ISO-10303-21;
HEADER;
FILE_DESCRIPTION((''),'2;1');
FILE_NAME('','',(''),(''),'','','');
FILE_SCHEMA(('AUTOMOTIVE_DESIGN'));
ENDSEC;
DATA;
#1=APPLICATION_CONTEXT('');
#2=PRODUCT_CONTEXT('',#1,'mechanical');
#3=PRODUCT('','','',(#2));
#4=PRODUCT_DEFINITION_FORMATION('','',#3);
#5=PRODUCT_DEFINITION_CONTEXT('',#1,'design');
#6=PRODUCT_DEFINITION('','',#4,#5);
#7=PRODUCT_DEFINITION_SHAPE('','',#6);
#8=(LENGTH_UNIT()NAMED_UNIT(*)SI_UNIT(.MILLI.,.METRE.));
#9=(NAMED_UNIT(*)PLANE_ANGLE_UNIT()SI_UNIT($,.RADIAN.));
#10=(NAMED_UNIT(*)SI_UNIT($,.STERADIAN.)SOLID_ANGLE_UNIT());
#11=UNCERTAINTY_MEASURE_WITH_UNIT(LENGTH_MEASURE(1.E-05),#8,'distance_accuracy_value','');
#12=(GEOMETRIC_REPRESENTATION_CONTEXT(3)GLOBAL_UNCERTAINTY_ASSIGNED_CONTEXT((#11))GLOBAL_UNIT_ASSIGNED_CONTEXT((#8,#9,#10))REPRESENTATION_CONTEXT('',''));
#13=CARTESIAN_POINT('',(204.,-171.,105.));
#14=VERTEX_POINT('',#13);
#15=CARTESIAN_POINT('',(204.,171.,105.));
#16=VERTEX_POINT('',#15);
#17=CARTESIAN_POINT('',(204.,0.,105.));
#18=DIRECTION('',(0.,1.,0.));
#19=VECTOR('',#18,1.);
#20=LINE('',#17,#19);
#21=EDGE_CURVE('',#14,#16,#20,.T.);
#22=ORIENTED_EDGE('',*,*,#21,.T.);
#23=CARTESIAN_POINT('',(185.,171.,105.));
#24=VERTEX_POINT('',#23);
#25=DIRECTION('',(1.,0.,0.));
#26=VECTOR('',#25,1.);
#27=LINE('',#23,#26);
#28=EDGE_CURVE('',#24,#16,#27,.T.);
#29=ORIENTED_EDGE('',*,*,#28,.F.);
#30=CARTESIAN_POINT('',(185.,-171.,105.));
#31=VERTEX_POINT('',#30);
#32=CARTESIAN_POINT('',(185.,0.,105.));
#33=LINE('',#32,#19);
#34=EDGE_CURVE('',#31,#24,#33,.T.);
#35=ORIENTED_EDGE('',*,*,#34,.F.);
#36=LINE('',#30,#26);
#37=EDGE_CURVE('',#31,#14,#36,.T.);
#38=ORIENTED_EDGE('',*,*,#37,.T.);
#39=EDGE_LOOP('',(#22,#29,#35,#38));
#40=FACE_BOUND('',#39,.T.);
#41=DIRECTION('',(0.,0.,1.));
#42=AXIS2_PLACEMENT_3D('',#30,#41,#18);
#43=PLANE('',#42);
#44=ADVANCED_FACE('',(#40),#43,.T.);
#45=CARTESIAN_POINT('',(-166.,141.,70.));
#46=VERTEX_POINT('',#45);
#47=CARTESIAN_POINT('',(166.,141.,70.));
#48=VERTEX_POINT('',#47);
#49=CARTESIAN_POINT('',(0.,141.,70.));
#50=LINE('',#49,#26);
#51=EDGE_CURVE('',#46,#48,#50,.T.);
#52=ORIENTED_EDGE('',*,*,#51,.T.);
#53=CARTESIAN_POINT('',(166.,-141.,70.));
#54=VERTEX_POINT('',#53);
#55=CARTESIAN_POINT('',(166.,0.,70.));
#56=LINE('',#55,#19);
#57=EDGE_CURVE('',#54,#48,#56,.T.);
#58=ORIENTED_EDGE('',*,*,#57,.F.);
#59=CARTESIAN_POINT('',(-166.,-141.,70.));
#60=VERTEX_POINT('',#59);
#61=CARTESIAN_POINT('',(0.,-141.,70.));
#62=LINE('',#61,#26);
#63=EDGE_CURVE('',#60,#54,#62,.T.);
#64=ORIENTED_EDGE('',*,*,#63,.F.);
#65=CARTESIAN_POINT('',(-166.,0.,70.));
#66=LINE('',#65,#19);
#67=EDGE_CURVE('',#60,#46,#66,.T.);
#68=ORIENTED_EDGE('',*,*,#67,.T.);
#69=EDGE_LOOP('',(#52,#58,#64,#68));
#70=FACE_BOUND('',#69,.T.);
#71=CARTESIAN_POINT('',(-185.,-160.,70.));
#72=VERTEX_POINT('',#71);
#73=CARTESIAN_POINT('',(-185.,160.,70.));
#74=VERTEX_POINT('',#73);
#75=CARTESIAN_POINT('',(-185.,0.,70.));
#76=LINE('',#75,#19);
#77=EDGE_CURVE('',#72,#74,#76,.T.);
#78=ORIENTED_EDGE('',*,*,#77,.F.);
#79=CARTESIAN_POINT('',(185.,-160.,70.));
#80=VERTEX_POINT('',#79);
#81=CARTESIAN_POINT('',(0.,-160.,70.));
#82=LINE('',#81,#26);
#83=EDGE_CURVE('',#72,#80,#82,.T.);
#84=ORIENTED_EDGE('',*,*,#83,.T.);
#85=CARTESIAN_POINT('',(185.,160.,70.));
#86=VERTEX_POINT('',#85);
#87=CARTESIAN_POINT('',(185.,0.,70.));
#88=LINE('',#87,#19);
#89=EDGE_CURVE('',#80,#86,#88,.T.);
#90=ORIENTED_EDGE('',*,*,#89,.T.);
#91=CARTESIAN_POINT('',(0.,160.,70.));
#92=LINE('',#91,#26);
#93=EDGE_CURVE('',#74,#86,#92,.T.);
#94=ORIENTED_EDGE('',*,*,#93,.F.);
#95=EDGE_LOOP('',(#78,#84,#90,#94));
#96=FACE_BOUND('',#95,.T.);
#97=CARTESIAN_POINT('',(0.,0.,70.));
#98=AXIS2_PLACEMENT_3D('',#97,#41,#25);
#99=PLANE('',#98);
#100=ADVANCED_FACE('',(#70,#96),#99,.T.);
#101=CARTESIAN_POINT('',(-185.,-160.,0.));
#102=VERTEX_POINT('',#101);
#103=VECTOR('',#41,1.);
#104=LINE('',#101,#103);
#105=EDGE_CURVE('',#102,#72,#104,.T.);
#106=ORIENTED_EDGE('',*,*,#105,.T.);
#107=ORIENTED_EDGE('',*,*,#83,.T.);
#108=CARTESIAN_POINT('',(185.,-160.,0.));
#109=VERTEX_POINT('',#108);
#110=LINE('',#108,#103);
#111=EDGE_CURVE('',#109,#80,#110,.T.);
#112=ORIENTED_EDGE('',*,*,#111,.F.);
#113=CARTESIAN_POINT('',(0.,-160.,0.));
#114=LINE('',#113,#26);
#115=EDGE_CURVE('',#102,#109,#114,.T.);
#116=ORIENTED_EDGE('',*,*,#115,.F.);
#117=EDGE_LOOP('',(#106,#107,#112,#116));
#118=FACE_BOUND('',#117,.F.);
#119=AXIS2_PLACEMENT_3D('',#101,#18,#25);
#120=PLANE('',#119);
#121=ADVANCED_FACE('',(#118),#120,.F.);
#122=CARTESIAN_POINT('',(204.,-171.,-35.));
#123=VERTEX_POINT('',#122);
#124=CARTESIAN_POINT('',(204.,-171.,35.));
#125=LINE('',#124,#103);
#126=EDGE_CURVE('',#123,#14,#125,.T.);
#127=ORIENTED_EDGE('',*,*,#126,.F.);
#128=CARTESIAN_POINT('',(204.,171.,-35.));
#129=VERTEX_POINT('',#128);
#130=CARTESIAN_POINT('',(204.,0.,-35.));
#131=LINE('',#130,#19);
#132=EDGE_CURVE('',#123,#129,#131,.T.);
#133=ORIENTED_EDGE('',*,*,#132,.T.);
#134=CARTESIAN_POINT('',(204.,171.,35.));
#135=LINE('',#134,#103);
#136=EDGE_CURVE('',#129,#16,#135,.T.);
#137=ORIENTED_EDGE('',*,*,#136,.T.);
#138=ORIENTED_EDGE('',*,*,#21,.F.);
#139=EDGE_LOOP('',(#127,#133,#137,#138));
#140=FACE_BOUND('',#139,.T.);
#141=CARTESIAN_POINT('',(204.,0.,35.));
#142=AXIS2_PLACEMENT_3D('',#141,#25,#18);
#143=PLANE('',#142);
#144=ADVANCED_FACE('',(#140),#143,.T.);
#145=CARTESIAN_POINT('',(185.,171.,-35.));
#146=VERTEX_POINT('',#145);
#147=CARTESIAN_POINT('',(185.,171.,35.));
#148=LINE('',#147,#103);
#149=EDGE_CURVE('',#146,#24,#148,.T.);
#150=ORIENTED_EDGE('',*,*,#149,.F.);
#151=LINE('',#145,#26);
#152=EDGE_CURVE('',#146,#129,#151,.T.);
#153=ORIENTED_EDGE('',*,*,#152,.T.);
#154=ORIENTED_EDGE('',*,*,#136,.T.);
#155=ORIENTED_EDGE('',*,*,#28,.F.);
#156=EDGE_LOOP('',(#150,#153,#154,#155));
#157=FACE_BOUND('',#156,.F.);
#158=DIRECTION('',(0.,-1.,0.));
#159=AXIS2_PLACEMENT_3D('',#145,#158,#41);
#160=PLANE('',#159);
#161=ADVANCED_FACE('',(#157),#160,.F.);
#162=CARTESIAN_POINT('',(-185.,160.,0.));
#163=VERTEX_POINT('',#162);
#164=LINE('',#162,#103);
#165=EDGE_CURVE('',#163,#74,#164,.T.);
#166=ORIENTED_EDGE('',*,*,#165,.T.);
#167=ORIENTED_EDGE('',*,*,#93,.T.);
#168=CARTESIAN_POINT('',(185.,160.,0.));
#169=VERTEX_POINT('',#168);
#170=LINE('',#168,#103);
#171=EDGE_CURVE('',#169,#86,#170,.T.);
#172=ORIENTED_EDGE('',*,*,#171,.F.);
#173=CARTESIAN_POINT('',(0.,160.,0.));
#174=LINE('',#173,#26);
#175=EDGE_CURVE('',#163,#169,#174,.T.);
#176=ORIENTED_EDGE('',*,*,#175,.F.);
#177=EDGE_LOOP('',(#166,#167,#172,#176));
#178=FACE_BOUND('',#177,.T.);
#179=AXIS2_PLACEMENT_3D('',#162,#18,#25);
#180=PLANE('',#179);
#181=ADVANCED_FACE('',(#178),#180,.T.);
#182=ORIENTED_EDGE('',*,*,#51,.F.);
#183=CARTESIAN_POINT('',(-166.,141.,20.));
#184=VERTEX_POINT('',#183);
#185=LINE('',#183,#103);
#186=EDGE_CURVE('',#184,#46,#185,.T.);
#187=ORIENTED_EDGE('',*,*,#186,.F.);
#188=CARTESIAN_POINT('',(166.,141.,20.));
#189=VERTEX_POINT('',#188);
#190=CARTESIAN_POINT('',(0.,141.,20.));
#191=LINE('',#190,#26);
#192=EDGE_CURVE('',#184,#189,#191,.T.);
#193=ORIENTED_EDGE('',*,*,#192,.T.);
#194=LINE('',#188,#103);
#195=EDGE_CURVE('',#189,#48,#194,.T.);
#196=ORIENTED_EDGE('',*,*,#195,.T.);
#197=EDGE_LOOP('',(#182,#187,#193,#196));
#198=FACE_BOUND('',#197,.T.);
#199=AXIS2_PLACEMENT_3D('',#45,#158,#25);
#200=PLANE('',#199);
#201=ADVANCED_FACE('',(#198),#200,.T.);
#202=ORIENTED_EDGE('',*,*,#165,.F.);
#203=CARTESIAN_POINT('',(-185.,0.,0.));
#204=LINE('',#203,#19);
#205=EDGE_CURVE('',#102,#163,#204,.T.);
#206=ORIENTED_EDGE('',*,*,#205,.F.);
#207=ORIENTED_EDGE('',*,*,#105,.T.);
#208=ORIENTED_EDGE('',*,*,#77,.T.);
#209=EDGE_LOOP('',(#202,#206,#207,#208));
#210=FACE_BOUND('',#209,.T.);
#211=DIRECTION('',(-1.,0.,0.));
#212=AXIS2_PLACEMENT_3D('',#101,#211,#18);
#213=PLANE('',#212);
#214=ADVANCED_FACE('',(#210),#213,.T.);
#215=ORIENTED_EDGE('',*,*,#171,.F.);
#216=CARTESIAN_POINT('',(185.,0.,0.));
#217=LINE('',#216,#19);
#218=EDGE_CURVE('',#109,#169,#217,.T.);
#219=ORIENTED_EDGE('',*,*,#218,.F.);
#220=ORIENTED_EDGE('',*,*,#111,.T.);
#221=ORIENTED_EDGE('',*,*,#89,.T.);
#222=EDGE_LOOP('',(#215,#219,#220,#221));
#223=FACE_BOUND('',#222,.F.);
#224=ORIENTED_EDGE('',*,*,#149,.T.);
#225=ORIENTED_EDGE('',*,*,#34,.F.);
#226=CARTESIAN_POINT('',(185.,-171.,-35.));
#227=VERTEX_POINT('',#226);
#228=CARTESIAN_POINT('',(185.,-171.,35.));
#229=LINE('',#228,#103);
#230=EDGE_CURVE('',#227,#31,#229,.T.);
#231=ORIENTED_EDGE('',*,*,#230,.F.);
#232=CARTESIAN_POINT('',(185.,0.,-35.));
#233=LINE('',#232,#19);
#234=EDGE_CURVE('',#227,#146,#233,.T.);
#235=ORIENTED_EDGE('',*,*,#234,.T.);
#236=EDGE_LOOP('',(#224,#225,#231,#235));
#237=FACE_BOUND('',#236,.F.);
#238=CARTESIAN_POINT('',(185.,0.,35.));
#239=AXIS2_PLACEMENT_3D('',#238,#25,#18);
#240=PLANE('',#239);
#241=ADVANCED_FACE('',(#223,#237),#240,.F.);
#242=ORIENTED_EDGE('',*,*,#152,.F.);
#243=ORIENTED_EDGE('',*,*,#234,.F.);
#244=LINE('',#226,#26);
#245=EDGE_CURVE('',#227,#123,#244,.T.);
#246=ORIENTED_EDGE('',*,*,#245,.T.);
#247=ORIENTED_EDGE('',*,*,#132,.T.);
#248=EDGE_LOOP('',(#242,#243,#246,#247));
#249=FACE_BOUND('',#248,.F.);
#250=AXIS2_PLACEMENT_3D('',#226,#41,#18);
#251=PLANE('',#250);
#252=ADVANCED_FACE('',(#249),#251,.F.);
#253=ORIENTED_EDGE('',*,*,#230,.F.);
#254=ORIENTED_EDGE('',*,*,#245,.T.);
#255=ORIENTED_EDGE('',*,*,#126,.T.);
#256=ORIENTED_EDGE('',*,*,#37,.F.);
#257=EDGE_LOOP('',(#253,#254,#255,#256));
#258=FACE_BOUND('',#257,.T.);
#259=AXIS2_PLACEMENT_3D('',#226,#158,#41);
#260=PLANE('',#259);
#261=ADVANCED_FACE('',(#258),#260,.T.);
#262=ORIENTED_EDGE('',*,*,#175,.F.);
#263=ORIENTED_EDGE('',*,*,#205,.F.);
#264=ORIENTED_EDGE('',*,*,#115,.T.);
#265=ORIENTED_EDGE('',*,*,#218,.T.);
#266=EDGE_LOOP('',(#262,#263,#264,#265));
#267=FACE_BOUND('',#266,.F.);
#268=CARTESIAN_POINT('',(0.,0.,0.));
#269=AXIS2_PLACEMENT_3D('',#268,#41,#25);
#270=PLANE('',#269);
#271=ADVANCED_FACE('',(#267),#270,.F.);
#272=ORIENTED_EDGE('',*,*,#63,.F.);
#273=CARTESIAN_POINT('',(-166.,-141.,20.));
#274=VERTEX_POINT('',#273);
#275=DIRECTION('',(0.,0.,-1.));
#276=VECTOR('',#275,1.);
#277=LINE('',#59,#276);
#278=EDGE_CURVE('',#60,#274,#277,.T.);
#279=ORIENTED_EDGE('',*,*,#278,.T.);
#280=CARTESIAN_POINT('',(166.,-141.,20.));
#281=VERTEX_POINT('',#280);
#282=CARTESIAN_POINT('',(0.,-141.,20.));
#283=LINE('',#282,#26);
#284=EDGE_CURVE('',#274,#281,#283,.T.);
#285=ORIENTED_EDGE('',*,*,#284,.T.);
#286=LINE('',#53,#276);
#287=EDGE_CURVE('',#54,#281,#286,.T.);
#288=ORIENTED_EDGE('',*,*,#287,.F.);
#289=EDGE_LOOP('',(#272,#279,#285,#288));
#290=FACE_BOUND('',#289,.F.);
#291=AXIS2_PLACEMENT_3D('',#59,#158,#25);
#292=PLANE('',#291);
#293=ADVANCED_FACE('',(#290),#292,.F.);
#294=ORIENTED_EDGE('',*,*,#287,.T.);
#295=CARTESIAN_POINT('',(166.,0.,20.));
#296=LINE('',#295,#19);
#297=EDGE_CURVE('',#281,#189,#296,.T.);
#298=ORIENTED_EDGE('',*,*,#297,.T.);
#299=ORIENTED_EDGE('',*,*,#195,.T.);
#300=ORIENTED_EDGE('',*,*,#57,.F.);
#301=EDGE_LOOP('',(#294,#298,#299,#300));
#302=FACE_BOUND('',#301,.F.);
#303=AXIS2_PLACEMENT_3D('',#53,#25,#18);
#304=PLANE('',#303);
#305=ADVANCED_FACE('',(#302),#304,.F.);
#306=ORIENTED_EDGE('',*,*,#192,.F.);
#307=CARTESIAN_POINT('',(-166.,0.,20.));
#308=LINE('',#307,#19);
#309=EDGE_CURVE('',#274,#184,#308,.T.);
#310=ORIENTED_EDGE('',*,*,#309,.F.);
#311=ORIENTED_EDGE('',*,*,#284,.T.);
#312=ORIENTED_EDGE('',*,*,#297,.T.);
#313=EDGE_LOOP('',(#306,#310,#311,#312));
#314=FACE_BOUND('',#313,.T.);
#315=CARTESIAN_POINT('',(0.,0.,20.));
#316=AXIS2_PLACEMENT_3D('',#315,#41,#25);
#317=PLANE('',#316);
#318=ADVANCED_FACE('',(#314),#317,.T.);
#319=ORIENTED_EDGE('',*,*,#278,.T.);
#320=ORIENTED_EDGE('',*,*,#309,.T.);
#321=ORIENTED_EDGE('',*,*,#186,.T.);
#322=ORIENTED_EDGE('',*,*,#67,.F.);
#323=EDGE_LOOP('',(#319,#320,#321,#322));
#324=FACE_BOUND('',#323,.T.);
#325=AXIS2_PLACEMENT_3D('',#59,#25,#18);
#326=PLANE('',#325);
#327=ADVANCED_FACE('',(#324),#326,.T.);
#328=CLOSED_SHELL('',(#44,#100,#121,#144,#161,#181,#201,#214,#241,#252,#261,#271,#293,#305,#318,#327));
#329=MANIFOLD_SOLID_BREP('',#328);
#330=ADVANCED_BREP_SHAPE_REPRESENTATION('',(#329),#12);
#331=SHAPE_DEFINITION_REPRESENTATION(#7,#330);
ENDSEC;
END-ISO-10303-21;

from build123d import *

# Parameters (mm, degrees)
F0_W      = 370
F0_H      = 320
F1_DEPTH  = 70
F2_W      = 332
F2_H      = 282
F3_DEPTH  = 25
F3_FACE_W = 332
F3_FACE_H = 282
F4_DEPTH  = 11
F5_DEPTH  = 25
F6_W      = 342
F6_H      = 140
F6_W_2    = 320
F6_H_2    = 70
F7_DEPTH  = 19


with BuildPart() as f1:
    # F0 (on Top) → F1 (new body)
    with BuildSketch(Plane.XY):
        Rectangle(F0_W, F0_H)
    extrude(amount=F1_DEPTH)

    # F2 (on face) → F3 (cut)
    with BuildSketch(Plane.XY.offset(70)):
        Rectangle(F2_W, F2_H)
    extrude(amount=-F3_DEPTH, mode=Mode.SUBTRACT)

    # F3_face (on face) → F4 (join)
    with BuildSketch(Plane.XY.offset(45)):
        Rectangle(F3_FACE_W, F3_FACE_H)
    extrude(amount=-F4_DEPTH)

    # F3_face (on face) → F5 (cut)
    with BuildSketch(Plane.XY.offset(45)):
        Rectangle(F3_FACE_W, F3_FACE_H)
    extrude(amount=-F5_DEPTH, mode=Mode.SUBTRACT)

    # F6 (on face) → F7 (join)
    with BuildSketch(Plane.YZ.offset(185)):
        with Locations((0, 35)):
            Rectangle(F6_W, F6_H)
        with Locations((0, 35)):
            Rectangle(F6_W_2, F6_H_2, mode=Mode.SUBTRACT)
        with Locations((0, 35)):
            Rectangle(F6_W_2, F6_H_2)
    extrude(amount=F7_DEPTH)


solid = f1.part
